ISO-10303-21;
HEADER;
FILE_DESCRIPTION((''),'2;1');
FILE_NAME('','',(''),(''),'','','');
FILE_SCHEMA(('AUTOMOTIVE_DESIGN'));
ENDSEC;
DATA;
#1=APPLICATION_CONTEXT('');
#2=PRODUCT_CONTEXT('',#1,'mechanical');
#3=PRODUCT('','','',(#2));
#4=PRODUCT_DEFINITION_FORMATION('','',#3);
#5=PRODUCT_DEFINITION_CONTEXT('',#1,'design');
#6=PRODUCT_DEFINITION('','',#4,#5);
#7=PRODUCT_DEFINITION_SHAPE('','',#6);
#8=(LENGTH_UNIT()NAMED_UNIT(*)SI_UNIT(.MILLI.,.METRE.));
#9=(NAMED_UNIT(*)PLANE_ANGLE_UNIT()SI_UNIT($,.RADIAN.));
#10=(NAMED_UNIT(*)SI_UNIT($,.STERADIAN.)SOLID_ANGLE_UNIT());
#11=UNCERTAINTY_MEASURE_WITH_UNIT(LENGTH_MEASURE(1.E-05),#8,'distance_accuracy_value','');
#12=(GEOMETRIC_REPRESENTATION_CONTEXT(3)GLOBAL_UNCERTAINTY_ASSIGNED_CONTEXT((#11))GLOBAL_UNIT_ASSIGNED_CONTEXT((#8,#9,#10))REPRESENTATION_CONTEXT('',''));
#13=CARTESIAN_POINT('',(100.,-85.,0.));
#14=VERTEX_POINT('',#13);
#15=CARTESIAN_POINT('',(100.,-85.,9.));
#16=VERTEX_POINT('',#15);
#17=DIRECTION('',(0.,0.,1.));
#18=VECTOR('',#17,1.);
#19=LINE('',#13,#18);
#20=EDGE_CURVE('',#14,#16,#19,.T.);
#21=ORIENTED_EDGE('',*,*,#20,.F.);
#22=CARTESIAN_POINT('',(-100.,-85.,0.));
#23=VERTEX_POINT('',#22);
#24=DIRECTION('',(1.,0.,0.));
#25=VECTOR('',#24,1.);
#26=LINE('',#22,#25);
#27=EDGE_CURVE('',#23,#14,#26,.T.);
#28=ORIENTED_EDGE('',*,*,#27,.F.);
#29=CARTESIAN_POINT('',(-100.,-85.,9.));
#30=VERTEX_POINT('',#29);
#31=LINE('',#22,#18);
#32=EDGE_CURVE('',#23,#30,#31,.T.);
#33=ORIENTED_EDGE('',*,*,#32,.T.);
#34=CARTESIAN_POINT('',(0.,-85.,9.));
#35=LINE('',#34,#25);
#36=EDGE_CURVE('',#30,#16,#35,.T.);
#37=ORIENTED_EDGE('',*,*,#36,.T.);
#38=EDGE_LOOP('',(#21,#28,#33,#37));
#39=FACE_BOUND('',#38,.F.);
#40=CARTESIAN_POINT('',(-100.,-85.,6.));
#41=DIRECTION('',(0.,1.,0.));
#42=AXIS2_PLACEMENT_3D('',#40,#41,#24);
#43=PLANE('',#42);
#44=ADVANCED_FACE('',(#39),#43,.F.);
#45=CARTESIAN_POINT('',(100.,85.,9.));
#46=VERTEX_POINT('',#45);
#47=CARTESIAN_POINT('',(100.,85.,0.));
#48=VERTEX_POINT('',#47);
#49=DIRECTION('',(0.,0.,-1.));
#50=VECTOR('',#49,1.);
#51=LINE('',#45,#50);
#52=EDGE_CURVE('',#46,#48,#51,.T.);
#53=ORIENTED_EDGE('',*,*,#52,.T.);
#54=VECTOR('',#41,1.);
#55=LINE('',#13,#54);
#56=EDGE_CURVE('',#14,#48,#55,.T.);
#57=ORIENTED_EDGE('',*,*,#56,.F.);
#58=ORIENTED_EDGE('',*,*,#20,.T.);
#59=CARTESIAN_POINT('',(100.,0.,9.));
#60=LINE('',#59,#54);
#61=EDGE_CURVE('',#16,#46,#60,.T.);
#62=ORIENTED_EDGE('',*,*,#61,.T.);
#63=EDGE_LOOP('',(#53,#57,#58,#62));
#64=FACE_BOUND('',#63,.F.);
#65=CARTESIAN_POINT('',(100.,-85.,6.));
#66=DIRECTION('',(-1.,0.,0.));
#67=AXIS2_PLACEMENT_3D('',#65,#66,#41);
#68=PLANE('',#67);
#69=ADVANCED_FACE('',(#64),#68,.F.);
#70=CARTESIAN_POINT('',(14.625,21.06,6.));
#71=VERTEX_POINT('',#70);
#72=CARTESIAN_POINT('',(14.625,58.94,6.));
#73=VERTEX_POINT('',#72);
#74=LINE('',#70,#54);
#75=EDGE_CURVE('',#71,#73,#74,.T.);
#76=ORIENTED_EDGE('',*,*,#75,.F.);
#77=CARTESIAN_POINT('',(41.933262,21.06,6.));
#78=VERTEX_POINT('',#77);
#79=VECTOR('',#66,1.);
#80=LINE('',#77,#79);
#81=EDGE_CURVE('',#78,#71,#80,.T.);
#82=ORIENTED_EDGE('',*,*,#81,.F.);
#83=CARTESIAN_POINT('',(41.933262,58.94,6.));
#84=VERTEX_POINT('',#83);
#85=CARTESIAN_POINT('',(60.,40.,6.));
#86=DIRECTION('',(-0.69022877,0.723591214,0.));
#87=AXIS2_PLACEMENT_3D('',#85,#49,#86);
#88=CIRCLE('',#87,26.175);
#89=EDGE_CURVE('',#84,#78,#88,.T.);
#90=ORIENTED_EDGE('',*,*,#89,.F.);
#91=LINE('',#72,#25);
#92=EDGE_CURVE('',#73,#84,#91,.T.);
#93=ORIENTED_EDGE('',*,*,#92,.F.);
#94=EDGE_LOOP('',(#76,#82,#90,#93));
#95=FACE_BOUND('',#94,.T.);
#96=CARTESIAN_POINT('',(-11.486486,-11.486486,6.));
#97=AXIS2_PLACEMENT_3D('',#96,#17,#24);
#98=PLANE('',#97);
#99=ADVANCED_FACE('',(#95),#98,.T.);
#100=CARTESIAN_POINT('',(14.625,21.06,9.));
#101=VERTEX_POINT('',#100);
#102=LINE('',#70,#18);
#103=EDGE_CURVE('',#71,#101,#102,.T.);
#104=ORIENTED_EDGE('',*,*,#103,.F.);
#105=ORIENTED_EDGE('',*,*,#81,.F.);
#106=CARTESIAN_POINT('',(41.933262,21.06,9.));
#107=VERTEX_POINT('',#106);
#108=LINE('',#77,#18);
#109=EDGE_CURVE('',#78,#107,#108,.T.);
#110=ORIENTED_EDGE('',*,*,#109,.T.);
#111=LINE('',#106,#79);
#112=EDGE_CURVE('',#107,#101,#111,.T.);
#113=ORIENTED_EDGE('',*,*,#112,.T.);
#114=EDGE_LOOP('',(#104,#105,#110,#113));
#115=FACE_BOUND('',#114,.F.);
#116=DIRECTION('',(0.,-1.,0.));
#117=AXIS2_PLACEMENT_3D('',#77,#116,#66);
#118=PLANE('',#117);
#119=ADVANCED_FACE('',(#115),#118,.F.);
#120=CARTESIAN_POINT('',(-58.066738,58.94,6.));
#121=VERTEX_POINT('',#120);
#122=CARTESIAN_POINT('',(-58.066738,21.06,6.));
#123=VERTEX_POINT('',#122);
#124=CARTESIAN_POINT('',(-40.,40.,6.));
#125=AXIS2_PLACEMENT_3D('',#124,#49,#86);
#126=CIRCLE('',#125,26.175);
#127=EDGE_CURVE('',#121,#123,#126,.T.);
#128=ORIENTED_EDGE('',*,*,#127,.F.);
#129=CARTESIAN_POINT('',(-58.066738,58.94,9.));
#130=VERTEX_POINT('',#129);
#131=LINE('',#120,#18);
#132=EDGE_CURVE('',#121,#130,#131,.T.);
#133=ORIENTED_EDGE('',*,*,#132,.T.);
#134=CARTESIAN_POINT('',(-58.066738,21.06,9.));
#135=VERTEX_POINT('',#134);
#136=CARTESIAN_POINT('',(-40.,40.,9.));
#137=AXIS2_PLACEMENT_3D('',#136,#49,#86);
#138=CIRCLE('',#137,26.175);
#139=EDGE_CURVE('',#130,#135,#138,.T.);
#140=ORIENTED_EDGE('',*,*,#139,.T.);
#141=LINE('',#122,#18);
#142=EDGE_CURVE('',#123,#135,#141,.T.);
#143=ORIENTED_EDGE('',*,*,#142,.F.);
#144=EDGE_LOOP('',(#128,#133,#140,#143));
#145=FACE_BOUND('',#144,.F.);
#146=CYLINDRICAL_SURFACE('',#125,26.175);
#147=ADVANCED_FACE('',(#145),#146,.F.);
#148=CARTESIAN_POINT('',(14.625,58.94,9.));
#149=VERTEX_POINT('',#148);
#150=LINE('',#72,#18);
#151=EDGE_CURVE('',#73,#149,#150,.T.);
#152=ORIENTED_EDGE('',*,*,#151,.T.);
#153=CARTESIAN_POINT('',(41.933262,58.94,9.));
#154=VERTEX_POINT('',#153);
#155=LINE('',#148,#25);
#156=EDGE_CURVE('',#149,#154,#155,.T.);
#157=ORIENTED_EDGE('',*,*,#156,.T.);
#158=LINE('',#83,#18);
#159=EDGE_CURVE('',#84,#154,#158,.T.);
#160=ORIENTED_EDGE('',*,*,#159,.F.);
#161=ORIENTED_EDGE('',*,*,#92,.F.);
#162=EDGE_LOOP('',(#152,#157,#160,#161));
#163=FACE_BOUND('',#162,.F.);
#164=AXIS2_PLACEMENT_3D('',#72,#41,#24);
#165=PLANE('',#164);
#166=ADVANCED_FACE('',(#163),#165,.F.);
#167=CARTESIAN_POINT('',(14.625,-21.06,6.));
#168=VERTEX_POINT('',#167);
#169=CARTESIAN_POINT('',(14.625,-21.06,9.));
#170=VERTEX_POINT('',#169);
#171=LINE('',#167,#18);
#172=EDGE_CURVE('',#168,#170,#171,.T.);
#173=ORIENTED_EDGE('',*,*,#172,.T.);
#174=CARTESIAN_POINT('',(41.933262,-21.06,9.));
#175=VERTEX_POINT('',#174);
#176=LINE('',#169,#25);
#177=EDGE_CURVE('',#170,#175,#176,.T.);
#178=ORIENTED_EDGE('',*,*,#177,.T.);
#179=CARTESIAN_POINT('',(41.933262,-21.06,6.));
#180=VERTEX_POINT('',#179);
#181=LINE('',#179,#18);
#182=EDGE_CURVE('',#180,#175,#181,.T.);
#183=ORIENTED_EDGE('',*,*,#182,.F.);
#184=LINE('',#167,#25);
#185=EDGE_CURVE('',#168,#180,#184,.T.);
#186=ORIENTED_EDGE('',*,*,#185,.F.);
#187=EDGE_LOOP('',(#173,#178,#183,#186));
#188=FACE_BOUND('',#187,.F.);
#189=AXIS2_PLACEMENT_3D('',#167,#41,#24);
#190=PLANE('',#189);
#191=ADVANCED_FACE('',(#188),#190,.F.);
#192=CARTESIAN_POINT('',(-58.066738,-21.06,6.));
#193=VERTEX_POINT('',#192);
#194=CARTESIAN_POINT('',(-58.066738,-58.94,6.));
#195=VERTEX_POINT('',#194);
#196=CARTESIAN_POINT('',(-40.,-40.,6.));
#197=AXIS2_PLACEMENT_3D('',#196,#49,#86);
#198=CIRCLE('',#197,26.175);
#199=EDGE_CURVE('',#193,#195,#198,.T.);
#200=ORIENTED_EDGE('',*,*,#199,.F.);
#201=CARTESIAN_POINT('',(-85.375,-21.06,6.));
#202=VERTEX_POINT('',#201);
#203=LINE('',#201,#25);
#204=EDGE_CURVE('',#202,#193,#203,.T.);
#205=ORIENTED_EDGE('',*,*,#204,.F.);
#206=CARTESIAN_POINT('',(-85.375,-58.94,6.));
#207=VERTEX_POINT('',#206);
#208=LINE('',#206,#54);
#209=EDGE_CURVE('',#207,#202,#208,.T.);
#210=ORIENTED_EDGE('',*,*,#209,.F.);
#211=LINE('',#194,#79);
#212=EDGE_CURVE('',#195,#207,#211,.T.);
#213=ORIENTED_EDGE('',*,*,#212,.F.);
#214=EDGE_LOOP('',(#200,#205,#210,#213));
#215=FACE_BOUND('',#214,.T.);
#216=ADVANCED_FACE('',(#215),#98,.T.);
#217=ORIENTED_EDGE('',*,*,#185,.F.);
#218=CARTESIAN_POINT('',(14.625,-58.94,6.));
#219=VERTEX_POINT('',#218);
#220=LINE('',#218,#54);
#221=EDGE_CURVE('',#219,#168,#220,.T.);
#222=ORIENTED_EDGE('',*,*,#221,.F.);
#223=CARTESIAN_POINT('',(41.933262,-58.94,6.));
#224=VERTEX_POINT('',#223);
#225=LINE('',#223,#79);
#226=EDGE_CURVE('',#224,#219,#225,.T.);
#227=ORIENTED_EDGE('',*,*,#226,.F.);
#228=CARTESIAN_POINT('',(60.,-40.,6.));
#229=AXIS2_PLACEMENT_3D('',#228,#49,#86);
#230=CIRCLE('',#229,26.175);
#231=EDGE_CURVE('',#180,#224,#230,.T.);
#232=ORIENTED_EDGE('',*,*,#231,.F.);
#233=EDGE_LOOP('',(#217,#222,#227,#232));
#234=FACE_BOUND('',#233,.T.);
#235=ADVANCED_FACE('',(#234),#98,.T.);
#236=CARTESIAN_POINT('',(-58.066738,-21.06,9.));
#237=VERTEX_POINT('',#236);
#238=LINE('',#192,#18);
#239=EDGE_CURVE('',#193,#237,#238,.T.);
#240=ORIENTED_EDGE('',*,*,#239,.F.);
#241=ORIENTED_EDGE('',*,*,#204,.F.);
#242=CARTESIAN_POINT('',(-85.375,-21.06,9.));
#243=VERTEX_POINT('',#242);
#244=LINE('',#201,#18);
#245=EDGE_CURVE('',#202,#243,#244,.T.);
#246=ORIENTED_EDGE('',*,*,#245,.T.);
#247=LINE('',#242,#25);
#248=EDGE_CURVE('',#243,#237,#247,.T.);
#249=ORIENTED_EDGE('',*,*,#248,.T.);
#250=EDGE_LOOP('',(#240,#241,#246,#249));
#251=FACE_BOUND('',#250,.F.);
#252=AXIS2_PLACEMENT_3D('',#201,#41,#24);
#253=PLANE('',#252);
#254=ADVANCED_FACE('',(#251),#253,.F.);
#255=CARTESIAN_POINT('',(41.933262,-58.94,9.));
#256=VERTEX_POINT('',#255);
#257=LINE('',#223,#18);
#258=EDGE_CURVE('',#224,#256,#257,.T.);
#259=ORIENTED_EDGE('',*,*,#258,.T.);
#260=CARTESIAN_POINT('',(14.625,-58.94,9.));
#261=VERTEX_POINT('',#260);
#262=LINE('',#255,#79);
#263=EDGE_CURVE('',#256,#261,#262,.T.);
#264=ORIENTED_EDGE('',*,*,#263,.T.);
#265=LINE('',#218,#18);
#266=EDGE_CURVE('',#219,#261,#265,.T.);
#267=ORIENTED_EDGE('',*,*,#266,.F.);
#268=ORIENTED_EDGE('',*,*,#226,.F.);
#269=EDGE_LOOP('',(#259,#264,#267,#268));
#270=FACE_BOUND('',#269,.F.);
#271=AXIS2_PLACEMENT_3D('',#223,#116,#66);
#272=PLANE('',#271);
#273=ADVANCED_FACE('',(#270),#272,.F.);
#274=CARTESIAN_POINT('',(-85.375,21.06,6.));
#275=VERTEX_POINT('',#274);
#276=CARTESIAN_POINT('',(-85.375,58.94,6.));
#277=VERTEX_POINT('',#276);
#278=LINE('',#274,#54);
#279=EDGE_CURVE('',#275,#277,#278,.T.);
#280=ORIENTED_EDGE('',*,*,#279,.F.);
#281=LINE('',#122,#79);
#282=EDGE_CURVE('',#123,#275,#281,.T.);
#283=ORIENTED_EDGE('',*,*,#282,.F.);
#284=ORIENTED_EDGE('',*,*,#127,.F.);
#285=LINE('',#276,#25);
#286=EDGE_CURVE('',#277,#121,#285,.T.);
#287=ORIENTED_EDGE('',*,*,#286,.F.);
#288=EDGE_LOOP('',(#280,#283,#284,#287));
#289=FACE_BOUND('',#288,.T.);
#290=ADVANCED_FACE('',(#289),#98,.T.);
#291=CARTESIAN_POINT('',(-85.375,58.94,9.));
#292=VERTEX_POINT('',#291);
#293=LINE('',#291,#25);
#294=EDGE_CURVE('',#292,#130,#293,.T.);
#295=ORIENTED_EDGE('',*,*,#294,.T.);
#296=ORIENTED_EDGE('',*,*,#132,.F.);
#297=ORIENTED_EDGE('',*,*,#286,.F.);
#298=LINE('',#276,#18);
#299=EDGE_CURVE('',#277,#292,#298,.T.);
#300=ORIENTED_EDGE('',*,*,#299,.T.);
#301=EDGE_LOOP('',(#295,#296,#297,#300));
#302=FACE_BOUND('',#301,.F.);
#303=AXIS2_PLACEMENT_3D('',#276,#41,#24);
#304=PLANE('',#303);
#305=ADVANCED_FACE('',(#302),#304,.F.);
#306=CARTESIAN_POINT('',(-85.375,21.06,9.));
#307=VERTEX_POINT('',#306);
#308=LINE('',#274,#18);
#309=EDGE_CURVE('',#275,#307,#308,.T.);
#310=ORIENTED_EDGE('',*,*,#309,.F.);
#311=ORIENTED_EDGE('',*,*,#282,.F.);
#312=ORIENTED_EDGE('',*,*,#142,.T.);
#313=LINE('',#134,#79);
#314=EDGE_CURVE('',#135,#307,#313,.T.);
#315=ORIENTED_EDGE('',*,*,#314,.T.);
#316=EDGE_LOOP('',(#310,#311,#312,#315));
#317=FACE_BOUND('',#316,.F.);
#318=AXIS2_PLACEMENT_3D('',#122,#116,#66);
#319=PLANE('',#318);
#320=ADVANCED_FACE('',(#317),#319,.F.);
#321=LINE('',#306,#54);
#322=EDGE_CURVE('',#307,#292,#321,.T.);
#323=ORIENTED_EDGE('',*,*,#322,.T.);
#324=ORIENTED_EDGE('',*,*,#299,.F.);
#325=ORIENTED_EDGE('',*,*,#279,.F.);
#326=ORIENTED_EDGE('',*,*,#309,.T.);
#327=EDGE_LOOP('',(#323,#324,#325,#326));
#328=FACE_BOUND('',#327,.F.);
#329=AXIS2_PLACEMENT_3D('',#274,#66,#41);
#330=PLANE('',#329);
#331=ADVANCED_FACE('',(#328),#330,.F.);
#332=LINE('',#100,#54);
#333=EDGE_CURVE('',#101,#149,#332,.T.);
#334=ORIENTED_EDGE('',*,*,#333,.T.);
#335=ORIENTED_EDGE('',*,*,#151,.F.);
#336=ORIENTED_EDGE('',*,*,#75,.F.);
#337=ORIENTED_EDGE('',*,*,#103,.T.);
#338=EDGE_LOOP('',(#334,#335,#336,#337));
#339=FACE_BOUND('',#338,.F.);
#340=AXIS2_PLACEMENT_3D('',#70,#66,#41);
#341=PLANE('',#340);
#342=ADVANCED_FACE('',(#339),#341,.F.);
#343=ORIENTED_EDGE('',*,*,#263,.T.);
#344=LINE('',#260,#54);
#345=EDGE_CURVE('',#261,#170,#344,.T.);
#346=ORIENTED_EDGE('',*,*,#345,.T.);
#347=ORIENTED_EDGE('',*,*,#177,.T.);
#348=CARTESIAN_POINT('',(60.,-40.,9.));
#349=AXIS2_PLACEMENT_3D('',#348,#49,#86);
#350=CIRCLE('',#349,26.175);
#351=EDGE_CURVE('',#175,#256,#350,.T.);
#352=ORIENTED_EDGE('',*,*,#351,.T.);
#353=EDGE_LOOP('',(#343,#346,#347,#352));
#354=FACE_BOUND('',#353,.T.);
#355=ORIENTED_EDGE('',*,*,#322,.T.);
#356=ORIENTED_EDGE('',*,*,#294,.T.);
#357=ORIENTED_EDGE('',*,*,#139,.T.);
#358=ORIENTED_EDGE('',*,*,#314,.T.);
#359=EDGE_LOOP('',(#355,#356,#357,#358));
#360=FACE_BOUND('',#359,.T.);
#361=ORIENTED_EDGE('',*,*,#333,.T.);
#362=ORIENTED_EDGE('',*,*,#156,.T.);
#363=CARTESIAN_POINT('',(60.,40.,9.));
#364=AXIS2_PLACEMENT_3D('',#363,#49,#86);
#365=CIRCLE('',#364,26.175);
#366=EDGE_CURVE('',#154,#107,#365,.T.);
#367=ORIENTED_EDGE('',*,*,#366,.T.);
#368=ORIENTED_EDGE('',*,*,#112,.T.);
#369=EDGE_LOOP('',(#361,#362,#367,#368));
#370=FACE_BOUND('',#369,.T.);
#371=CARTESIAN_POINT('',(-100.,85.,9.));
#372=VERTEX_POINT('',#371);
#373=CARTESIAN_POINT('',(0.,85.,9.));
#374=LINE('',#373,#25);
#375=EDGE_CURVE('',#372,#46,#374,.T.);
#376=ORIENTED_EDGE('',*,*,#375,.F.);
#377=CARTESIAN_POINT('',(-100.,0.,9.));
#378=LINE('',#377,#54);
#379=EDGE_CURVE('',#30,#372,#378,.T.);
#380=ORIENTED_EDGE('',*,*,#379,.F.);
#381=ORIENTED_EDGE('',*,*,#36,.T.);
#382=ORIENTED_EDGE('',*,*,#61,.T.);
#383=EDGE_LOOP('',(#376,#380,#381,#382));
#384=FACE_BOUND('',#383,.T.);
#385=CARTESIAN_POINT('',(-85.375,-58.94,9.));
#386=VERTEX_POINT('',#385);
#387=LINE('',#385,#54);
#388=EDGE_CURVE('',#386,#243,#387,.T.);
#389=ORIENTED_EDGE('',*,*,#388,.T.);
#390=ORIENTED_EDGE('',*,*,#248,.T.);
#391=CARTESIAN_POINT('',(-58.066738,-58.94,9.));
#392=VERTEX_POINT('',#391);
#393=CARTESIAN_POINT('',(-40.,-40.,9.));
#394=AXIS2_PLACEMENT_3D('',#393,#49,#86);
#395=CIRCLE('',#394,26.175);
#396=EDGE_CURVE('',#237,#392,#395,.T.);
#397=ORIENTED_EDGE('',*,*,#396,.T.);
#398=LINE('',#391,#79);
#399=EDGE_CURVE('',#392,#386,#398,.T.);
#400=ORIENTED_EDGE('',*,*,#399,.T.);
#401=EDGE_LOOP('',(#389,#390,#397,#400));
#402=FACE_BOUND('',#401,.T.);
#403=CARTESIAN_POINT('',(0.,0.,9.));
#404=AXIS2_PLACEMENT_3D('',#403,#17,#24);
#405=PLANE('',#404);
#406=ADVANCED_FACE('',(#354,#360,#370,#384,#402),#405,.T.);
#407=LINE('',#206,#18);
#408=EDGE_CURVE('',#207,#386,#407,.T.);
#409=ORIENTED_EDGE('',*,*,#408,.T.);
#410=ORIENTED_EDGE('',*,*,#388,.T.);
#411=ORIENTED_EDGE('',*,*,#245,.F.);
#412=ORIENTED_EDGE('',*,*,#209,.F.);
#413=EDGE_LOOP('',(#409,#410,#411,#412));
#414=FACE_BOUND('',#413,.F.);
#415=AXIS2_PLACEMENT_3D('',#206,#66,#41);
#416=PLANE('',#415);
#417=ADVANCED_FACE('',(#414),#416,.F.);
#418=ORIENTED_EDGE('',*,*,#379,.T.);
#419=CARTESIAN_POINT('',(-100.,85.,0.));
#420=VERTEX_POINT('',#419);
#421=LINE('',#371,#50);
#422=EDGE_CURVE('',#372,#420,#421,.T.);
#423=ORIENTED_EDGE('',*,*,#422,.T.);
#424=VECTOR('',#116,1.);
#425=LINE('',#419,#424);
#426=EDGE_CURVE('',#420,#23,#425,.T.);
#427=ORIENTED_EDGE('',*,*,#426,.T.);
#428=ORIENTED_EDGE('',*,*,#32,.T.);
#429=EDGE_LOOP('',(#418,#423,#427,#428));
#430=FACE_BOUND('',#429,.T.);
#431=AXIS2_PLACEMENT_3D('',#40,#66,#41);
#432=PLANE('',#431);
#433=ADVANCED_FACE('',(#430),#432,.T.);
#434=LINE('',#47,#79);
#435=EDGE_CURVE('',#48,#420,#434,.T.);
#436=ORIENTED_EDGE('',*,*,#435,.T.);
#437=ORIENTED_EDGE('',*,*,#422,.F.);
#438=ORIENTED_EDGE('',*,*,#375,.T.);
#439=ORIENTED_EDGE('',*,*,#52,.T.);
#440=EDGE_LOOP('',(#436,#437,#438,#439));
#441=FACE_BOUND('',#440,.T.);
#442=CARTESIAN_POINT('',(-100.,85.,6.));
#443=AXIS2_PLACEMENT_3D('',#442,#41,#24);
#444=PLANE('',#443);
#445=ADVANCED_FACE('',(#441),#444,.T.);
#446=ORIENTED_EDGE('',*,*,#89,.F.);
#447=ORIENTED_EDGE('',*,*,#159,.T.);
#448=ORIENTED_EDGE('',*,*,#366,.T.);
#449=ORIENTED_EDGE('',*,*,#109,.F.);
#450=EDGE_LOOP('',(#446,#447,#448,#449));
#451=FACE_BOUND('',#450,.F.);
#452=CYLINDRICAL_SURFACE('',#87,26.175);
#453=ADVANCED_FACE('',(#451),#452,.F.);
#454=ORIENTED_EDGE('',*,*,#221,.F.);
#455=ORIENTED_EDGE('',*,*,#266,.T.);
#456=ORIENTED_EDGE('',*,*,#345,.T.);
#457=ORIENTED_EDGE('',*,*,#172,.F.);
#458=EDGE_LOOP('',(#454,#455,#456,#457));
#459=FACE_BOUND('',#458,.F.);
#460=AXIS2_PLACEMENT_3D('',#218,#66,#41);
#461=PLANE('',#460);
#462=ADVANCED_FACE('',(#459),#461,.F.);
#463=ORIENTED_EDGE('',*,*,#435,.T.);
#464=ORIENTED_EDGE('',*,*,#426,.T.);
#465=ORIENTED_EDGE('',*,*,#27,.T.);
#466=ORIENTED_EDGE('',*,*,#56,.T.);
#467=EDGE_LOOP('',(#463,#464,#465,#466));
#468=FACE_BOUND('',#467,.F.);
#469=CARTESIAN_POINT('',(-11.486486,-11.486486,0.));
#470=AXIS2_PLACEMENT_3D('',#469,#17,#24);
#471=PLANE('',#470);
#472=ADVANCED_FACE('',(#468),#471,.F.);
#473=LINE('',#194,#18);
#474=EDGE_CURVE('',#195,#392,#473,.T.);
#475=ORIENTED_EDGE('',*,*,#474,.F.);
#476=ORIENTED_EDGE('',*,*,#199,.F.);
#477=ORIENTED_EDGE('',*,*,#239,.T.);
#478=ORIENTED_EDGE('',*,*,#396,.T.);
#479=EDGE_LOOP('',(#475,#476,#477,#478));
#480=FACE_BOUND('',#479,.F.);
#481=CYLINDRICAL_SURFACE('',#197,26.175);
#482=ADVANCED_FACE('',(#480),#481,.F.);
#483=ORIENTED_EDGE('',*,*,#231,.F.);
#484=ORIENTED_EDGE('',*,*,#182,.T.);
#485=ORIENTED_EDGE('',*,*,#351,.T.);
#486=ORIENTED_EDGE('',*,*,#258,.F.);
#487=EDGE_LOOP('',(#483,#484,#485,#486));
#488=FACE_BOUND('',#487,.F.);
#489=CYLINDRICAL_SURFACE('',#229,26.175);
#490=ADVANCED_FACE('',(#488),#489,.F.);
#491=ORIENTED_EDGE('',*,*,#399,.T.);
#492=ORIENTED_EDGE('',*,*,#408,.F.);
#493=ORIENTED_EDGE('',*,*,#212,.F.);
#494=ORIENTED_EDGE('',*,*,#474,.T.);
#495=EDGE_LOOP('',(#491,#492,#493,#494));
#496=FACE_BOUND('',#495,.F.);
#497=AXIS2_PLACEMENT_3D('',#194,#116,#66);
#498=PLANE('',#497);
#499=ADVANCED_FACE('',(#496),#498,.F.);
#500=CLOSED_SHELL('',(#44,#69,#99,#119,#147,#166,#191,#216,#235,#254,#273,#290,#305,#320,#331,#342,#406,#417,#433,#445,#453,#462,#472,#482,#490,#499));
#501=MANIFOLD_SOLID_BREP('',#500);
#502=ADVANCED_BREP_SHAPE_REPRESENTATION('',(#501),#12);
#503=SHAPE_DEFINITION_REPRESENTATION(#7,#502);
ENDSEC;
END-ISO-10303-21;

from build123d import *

# Parameters (mm, degrees)
F0_W     = 100
F0_H     = 85
F1_DEPTH = 6
F2_W     = 200
F2_H     = 170
F3_DEPTH = 3


with BuildPart() as f1:
    # F0 (on Top) → F1 (new body)
    with BuildSketch(Plane.XY):
        Polygon((0, 85), (-100, 85), (-100, -85), (100, -85), (100, 0), (0, 0), align=None)
        with Locations((50, 42.5)):
            Rectangle(F0_W, F0_H)
    extrude(amount=F1_DEPTH)

    # F2 (on face) → F3 (join)
    with BuildSketch(Plane.XY.offset(6)):
        Rectangle(F2_W, F2_H)
        with BuildLine():
            ThreePointArc((-58.066738, -21.06), (-13.825, -40), (-58.066738, -58.94))
            Line((-58.066738, -58.94), (-85.375, -58.94))
            Line((-85.375, -58.94), (-85.375, -21.06))
            Line((-85.375, -21.06), (-58.066738, -21.06))
        make_face(mode=Mode.SUBTRACT)
        with BuildLine():
            ThreePointArc((41.933262, -21.06), (86.175, -40), (41.933262, -58.94))
            Line((41.933262, -58.94), (14.625, -58.94))
            Line((14.625, -58.94), (14.625, -21.06))
            Line((14.625, -21.06), (41.933262, -21.06))
        make_face(mode=Mode.SUBTRACT)
        with BuildLine():
            ThreePointArc((-58.066738, 58.94), (-13.825, 40), (-58.066738, 21.06))
            Line((-58.066738, 21.06), (-85.375, 21.06))
            Line((-85.375, 21.06), (-85.375, 58.94))
            Line((-85.375, 58.94), (-58.066738, 58.94))
        make_face(mode=Mode.SUBTRACT)
        with BuildLine():
            ThreePointArc((41.933262, 58.94), (86.175, 40), (41.933262, 21.06))
            Line((41.933262, 21.06), (14.625, 21.06))
            Line((14.625, 21.06), (14.625, 58.94))
            Line((14.625, 58.94), (41.933262, 58.94))
        make_face(mode=Mode.SUBTRACT)
    extrude(amount=F3_DEPTH)


solid = f1.part
